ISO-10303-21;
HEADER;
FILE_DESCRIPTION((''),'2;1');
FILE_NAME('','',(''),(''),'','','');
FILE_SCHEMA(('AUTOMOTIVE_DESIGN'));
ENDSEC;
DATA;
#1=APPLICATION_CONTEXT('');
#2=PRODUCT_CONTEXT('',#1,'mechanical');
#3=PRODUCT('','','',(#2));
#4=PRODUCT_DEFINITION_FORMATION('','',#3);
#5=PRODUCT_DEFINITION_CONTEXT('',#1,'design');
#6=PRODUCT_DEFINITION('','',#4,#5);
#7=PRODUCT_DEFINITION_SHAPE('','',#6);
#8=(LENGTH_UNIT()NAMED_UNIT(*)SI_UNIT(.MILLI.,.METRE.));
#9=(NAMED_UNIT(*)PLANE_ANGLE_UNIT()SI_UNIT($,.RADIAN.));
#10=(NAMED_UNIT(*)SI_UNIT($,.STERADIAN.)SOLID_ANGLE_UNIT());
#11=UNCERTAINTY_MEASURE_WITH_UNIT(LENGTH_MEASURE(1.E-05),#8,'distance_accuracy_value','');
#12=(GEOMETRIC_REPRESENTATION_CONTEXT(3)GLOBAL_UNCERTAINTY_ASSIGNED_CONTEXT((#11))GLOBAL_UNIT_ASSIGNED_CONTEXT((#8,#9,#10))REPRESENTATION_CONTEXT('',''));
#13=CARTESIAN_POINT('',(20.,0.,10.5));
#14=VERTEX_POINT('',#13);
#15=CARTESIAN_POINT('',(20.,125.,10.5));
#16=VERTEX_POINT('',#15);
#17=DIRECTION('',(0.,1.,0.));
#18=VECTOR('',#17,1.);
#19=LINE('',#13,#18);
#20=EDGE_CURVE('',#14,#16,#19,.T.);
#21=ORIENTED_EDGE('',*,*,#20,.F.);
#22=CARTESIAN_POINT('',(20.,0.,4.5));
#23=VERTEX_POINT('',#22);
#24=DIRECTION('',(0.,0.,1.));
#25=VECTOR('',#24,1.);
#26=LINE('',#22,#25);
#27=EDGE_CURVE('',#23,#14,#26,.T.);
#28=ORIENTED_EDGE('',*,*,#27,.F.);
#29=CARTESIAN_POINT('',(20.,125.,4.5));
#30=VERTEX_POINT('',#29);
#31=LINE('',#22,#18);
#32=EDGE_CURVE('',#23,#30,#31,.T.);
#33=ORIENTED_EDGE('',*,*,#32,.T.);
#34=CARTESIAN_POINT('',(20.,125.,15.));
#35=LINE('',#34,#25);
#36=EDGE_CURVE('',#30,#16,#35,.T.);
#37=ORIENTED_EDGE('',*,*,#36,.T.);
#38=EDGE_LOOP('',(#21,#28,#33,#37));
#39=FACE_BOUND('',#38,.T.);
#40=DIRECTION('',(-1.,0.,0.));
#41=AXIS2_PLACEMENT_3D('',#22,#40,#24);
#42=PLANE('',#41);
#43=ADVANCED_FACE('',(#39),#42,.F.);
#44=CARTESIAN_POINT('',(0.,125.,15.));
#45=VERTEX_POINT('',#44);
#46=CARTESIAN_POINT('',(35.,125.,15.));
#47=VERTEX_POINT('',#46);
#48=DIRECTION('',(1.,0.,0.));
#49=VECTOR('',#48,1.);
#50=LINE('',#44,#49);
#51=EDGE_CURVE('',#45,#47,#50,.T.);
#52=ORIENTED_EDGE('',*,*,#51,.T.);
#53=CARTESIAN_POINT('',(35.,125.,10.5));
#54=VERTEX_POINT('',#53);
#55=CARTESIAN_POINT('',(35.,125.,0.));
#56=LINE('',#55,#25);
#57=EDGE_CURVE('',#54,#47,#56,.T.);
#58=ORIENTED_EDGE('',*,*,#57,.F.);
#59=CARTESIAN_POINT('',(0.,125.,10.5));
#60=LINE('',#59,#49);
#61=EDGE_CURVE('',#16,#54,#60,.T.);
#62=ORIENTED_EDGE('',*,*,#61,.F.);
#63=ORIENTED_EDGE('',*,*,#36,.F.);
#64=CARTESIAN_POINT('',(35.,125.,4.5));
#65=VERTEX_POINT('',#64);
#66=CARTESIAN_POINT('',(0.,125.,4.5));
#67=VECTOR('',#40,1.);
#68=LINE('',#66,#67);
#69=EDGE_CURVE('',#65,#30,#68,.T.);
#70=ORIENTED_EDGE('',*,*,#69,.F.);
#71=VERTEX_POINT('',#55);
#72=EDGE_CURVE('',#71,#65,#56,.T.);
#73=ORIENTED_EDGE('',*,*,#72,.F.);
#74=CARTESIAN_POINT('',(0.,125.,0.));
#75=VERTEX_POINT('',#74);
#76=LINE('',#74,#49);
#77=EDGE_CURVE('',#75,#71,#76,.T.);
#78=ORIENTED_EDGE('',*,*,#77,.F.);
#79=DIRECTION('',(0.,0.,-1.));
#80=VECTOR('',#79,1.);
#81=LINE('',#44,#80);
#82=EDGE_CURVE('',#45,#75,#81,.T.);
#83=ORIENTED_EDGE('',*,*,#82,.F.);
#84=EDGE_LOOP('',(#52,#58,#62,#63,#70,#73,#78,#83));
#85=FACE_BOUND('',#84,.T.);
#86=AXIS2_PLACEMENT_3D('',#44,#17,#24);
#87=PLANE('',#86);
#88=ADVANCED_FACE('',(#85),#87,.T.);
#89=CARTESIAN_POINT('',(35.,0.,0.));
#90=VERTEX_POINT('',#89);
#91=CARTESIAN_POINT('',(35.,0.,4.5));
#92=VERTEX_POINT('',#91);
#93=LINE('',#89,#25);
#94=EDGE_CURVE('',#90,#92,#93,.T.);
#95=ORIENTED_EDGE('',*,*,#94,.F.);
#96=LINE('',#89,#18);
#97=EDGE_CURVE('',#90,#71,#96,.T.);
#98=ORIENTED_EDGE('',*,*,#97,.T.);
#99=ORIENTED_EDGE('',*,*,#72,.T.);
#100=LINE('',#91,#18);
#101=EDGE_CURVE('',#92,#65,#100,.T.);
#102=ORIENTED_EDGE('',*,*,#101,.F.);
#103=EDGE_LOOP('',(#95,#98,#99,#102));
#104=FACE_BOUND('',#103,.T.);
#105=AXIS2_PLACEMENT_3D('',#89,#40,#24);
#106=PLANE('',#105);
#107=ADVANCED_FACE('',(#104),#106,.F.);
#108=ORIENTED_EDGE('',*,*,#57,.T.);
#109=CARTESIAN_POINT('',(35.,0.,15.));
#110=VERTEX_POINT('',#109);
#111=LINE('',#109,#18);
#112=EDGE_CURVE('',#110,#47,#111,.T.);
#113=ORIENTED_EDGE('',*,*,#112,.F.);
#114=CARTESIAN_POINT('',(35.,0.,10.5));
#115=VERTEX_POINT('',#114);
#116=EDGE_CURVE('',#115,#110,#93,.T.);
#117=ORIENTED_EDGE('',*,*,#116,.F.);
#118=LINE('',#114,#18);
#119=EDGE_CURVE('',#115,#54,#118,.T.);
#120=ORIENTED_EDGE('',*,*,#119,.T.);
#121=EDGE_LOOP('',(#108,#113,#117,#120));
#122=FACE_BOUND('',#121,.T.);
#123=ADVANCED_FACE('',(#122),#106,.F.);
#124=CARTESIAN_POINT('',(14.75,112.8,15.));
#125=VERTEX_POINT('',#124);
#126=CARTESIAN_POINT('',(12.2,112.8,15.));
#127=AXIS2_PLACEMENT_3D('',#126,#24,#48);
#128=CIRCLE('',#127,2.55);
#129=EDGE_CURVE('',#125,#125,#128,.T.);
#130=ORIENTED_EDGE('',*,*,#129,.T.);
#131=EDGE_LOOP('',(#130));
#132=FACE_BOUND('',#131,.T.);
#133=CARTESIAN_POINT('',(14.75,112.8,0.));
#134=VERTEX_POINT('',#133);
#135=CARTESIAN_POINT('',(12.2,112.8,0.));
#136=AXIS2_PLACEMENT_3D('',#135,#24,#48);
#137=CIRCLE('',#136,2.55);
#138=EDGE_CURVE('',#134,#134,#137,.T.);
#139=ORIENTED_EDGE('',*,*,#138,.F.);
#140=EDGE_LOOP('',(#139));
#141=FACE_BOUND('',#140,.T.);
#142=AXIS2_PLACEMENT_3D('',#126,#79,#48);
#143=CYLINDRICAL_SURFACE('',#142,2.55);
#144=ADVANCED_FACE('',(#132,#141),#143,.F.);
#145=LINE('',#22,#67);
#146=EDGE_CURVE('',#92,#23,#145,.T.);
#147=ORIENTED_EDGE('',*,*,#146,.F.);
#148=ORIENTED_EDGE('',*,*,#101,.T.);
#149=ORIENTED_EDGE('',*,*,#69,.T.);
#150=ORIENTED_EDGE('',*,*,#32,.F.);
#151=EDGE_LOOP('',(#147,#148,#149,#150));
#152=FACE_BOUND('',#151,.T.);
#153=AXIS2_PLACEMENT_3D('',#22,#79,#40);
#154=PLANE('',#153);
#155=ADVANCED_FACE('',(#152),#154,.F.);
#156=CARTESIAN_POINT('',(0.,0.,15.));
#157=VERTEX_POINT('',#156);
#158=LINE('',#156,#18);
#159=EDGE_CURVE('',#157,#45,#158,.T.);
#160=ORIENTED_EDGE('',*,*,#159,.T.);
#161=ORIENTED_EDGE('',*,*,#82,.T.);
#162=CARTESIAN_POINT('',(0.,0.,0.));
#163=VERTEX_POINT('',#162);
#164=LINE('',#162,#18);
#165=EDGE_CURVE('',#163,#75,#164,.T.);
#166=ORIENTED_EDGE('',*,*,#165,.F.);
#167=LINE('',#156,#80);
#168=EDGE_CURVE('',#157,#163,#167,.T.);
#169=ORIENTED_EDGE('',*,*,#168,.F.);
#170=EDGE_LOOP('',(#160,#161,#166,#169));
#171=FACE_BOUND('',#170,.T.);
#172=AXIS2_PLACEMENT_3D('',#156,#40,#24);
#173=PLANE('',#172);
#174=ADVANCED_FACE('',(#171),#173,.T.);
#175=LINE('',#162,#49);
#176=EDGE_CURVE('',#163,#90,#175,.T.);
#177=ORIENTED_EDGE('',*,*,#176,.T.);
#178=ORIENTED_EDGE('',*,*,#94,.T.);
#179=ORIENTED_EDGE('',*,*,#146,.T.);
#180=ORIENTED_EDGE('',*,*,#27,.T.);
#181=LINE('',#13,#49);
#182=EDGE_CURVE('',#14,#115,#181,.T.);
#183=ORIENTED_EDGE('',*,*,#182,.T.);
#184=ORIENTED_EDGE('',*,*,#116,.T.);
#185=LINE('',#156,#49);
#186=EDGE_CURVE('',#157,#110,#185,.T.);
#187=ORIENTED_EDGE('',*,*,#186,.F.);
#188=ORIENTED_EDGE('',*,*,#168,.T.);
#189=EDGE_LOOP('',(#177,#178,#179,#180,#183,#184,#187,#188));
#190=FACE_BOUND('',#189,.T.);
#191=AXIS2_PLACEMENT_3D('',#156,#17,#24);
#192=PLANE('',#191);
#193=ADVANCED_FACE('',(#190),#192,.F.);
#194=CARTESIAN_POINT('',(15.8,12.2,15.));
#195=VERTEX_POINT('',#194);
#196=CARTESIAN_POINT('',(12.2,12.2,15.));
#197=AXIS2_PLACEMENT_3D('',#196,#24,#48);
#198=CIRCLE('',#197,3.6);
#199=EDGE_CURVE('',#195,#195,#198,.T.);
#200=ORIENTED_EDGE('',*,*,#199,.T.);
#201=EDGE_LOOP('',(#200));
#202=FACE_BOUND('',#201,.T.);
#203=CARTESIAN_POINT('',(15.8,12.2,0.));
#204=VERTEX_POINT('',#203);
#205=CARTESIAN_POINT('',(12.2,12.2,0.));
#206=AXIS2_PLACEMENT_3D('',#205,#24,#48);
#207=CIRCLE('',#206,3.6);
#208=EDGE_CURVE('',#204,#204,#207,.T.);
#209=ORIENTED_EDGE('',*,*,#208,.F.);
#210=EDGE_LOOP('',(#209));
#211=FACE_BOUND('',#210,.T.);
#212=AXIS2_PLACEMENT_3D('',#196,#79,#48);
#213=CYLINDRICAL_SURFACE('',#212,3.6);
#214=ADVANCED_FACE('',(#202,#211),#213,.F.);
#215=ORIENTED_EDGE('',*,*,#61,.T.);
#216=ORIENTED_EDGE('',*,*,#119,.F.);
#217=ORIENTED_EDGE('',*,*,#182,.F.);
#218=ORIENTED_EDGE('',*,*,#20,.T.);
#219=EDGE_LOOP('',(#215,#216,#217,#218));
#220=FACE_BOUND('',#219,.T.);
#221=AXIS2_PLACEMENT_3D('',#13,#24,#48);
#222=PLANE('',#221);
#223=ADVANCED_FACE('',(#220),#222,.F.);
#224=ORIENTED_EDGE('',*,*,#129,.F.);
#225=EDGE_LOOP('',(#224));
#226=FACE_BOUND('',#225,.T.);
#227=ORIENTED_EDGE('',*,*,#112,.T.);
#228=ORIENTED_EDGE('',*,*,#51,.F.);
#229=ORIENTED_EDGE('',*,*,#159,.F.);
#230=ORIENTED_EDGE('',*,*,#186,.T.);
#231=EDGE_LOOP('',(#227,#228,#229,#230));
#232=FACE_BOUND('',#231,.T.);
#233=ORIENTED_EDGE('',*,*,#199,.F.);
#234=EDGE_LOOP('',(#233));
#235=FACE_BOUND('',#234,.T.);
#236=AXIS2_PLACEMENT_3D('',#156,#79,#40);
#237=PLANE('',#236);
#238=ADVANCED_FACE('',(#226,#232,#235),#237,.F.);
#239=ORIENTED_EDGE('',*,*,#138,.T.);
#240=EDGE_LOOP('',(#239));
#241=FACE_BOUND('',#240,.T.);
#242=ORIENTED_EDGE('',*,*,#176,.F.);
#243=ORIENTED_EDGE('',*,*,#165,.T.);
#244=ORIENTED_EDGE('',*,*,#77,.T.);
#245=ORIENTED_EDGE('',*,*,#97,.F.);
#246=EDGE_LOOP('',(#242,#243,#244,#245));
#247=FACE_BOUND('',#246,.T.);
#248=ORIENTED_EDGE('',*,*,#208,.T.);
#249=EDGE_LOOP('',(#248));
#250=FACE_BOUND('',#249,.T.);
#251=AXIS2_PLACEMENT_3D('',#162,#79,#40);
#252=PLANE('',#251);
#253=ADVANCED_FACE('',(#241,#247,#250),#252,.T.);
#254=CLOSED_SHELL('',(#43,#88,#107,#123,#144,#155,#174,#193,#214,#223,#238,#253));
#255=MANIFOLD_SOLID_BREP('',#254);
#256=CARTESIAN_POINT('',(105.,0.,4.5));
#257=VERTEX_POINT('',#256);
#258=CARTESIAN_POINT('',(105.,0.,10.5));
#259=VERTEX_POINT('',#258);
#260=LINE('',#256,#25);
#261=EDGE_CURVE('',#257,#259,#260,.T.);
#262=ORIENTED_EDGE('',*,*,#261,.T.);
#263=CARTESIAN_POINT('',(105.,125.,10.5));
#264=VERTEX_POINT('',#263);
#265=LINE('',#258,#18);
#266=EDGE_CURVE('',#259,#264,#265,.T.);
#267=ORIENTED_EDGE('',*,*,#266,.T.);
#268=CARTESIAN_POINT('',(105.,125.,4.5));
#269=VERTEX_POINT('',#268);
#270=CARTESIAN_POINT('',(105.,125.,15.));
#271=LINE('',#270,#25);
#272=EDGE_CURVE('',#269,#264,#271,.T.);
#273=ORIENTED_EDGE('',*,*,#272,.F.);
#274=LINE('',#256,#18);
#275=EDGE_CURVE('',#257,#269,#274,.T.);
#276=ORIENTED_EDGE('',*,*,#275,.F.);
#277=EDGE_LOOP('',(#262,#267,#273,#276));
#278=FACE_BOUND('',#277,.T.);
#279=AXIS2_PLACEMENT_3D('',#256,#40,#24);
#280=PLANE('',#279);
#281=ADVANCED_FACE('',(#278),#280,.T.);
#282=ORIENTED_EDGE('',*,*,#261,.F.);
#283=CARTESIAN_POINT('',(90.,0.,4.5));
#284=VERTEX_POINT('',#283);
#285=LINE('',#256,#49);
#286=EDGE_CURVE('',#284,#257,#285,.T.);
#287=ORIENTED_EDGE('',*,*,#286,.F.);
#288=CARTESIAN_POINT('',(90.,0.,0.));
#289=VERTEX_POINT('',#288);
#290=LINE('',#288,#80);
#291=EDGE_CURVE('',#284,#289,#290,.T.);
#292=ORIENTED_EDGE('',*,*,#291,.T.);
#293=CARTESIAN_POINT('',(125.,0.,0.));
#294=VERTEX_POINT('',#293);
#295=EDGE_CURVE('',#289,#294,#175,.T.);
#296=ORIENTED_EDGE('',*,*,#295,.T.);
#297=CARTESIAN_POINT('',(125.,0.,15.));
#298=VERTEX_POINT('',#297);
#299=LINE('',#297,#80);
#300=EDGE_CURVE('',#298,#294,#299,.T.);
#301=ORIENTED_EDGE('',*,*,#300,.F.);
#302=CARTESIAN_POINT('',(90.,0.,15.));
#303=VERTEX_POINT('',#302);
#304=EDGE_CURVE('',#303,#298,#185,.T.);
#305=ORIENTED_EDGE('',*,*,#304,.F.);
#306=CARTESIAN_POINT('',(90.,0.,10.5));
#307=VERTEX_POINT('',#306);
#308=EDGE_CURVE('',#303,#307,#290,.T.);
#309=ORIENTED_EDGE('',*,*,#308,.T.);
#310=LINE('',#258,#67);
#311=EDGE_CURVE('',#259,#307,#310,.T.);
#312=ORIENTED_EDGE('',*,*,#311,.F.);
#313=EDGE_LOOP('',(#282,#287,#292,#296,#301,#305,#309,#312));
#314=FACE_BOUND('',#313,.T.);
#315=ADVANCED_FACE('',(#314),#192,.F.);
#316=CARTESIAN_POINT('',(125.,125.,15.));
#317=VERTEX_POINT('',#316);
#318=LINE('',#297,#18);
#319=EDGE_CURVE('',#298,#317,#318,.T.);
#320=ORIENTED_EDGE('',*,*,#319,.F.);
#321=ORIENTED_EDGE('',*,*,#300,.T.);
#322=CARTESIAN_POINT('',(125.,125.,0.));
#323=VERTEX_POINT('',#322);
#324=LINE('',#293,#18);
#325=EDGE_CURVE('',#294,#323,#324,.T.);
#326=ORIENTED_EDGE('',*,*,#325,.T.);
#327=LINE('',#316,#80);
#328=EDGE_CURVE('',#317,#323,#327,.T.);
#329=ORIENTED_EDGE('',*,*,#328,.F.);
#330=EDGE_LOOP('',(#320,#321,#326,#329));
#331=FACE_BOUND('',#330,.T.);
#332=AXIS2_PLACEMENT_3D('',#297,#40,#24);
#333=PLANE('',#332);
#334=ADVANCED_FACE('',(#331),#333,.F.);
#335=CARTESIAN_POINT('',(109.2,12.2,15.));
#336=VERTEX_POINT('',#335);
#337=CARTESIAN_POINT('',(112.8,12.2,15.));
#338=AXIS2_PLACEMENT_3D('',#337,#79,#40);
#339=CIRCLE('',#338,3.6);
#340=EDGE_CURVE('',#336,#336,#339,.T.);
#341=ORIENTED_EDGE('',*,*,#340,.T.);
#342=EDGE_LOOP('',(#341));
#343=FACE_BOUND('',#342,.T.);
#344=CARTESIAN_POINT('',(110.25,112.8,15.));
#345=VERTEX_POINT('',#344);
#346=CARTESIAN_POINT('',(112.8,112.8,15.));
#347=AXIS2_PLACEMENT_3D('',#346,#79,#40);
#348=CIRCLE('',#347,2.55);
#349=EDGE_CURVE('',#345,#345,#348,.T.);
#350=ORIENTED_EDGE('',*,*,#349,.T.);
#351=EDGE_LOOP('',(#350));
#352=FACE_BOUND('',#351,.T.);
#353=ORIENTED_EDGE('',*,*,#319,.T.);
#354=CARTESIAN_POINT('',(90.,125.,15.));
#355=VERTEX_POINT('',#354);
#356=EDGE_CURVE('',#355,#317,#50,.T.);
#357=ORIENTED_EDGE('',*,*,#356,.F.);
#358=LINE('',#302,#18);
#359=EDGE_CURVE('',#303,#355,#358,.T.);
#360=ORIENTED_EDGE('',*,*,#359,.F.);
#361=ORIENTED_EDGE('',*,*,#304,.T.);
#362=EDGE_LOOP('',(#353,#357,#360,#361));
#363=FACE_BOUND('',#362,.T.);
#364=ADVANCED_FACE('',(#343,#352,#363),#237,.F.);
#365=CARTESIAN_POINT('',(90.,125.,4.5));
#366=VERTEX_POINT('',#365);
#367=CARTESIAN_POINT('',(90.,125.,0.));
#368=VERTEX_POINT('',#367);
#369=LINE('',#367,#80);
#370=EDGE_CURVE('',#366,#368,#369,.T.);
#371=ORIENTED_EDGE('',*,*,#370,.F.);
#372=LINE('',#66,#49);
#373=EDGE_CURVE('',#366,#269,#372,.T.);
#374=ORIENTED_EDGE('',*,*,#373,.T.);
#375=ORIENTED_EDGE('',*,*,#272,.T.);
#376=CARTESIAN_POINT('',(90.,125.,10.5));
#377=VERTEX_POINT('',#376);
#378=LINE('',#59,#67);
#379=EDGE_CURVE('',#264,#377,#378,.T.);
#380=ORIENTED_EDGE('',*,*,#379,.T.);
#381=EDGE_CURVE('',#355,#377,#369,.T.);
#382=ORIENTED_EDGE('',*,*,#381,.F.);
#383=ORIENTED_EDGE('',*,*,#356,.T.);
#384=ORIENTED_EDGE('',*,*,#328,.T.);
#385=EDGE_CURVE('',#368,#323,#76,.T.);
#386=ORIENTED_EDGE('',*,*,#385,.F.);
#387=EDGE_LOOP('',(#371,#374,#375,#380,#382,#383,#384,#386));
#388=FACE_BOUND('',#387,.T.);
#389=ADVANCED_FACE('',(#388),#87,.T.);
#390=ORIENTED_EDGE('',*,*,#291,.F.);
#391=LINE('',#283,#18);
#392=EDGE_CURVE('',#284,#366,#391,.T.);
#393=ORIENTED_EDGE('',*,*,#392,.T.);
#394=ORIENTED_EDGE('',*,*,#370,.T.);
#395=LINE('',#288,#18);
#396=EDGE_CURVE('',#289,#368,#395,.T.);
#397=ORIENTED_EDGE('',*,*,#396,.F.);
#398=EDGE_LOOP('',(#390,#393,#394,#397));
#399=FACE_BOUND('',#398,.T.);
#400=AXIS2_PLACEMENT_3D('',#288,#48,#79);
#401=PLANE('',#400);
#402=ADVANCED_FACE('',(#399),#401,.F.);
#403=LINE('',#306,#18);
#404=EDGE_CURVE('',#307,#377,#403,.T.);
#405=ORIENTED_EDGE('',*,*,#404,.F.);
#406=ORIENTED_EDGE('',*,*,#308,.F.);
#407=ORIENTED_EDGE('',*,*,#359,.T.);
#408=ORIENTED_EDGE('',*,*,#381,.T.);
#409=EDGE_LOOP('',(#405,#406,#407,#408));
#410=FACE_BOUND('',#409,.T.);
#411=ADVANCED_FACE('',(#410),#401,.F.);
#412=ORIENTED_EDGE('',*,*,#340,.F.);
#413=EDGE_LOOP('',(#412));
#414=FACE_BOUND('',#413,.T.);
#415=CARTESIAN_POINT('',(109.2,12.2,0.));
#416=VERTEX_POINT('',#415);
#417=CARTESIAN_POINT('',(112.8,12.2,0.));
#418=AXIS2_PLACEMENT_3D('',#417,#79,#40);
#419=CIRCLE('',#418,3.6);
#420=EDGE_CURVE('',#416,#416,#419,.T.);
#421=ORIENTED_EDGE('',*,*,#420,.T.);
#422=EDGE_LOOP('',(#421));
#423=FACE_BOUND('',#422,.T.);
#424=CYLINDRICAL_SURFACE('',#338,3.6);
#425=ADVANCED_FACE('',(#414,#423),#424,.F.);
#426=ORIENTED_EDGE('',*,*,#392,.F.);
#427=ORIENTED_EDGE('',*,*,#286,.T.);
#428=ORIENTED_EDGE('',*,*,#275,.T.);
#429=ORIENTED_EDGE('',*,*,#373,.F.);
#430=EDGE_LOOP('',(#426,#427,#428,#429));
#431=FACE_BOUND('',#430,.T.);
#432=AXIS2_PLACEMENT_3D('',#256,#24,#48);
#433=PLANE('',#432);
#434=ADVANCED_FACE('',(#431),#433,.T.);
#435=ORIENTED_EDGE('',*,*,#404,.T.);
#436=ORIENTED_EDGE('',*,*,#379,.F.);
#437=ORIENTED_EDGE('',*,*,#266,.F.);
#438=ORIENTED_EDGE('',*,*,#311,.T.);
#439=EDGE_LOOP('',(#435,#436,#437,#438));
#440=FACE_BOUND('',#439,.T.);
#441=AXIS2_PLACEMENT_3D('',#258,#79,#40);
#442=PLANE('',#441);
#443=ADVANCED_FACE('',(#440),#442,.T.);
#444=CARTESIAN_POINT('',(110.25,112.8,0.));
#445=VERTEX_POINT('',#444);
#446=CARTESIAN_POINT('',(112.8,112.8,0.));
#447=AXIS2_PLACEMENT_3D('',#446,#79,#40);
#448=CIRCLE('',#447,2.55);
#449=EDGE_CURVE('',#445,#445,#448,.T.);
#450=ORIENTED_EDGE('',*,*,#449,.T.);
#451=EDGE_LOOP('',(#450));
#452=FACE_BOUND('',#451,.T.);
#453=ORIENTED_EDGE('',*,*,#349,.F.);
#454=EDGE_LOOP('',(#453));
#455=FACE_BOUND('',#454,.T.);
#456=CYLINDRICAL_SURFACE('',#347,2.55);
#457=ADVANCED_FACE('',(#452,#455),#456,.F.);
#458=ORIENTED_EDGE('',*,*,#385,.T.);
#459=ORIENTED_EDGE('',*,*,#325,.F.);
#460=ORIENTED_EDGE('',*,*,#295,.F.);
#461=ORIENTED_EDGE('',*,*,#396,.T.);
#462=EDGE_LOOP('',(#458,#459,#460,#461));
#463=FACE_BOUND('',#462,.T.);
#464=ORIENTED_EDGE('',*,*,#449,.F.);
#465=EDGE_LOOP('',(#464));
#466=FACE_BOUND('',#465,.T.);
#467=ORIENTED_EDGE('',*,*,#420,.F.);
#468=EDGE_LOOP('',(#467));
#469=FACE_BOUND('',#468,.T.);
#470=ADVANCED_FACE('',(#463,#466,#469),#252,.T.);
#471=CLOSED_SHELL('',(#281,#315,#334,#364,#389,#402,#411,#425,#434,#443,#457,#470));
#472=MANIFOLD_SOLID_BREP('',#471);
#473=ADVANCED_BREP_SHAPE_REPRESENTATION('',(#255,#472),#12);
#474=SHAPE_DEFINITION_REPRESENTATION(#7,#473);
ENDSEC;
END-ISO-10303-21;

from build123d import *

# Parameters (mm, degrees)
SKETCH1_W          = 125
SKETCH1_H          = 125
PLATE_DEPTH        = 15
SKETCH2_W          = 15
SKETCH2_H          = 6
CUT_EXTRUDE1_DEPTH = 178.411949992
SKETCH3_W          = 55
SKETCH3_H          = 15
CUT_EXTRUDE2_DEPTH = 178.411949992
SKETCH4_R          = 3.6
SKETCH4_R_2        = 2.55
CUT_EXTRUDE3_DEPTH = 178.411949992


with BuildPart() as part:
    # Sketch1 → Plate (new body)
    with BuildSketch(Plane.XY):
        with Locations((62.5, 62.5)):
            Rectangle(SKETCH1_W, SKETCH1_H)
    extrude(amount=PLATE_DEPTH)

    # Sketch2 → Cut-Extrude1 (cut, symmetric)
    with BuildSketch(Plane(origin=(0, 125, 0), x_dir=(1, 0, 0), z_dir=(0, 1, 0))):
        with Locations((27.5, -7.5)):
            Rectangle(SKETCH2_W, SKETCH2_H)
    cut_extrude1 = extrude(amount=CUT_EXTRUDE1_DEPTH, both=True, mode=Mode.SUBTRACT)

    # Mirror1: Cut-Extrude1 across plane
    add(cut_extrude1.mirror(Plane(origin=(62.5, 0, 0), x_dir=(0, 0, 1), z_dir=(1, 0, 0))), mode=Mode.SUBTRACT)

    # Sketch3 → Cut-Extrude2 (cut, through all)
    with BuildSketch(Plane(origin=(0, 125, 0), x_dir=(1, 0, 0), z_dir=(0, 1, 0))):
        with Locations((62.5, -7.5)):
            Rectangle(SKETCH3_W, SKETCH3_H)
    extrude(amount=-CUT_EXTRUDE2_DEPTH, mode=Mode.SUBTRACT)


with BuildPart() as cut_extrude2_piece_1:
    # of the separate pieces the step leaves, piece 1, a body of its own (cut_extrude2_pieces)
    add(part.part.solids().sort_by_distance((0, 0, 0))[0])


with BuildPart() as cut_extrude2_piece_2:
    # of the separate pieces the step leaves, piece 2, a body of its own (cut_extrude2_pieces)
    add(part.part.solids().sort_by_distance((90, 0, 0))[0])

    # Sketch4 → Cut-Extrude3 (cut, symmetric)
    with BuildSketch(Plane(origin=(0, 0, 0), x_dir=(-1, 0, 0), z_dir=(0, 0, -1))):
        with Locations((-112.8, 12.2)):
            Circle(SKETCH4_R)
        with Locations((-112.8, 112.8)):
            Circle(SKETCH4_R_2)
    cut_extrude3 = extrude(amount=CUT_EXTRUDE3_DEPTH, both=True, mode=Mode.SUBTRACT)


with BuildPart() as cut_extrude2_piece_1_1:
    add(cut_extrude2_piece_1.part)

    # Mirror2: Cut-Extrude3 across plane
    add(cut_extrude3.mirror(Plane(origin=(62.5, 0, 0), x_dir=(0, 0, 1), z_dir=(1, 0, 0))), mode=Mode.SUBTRACT)


solid = Compound([cut_extrude2_piece_2.part, cut_extrude2_piece_1_1.part])
